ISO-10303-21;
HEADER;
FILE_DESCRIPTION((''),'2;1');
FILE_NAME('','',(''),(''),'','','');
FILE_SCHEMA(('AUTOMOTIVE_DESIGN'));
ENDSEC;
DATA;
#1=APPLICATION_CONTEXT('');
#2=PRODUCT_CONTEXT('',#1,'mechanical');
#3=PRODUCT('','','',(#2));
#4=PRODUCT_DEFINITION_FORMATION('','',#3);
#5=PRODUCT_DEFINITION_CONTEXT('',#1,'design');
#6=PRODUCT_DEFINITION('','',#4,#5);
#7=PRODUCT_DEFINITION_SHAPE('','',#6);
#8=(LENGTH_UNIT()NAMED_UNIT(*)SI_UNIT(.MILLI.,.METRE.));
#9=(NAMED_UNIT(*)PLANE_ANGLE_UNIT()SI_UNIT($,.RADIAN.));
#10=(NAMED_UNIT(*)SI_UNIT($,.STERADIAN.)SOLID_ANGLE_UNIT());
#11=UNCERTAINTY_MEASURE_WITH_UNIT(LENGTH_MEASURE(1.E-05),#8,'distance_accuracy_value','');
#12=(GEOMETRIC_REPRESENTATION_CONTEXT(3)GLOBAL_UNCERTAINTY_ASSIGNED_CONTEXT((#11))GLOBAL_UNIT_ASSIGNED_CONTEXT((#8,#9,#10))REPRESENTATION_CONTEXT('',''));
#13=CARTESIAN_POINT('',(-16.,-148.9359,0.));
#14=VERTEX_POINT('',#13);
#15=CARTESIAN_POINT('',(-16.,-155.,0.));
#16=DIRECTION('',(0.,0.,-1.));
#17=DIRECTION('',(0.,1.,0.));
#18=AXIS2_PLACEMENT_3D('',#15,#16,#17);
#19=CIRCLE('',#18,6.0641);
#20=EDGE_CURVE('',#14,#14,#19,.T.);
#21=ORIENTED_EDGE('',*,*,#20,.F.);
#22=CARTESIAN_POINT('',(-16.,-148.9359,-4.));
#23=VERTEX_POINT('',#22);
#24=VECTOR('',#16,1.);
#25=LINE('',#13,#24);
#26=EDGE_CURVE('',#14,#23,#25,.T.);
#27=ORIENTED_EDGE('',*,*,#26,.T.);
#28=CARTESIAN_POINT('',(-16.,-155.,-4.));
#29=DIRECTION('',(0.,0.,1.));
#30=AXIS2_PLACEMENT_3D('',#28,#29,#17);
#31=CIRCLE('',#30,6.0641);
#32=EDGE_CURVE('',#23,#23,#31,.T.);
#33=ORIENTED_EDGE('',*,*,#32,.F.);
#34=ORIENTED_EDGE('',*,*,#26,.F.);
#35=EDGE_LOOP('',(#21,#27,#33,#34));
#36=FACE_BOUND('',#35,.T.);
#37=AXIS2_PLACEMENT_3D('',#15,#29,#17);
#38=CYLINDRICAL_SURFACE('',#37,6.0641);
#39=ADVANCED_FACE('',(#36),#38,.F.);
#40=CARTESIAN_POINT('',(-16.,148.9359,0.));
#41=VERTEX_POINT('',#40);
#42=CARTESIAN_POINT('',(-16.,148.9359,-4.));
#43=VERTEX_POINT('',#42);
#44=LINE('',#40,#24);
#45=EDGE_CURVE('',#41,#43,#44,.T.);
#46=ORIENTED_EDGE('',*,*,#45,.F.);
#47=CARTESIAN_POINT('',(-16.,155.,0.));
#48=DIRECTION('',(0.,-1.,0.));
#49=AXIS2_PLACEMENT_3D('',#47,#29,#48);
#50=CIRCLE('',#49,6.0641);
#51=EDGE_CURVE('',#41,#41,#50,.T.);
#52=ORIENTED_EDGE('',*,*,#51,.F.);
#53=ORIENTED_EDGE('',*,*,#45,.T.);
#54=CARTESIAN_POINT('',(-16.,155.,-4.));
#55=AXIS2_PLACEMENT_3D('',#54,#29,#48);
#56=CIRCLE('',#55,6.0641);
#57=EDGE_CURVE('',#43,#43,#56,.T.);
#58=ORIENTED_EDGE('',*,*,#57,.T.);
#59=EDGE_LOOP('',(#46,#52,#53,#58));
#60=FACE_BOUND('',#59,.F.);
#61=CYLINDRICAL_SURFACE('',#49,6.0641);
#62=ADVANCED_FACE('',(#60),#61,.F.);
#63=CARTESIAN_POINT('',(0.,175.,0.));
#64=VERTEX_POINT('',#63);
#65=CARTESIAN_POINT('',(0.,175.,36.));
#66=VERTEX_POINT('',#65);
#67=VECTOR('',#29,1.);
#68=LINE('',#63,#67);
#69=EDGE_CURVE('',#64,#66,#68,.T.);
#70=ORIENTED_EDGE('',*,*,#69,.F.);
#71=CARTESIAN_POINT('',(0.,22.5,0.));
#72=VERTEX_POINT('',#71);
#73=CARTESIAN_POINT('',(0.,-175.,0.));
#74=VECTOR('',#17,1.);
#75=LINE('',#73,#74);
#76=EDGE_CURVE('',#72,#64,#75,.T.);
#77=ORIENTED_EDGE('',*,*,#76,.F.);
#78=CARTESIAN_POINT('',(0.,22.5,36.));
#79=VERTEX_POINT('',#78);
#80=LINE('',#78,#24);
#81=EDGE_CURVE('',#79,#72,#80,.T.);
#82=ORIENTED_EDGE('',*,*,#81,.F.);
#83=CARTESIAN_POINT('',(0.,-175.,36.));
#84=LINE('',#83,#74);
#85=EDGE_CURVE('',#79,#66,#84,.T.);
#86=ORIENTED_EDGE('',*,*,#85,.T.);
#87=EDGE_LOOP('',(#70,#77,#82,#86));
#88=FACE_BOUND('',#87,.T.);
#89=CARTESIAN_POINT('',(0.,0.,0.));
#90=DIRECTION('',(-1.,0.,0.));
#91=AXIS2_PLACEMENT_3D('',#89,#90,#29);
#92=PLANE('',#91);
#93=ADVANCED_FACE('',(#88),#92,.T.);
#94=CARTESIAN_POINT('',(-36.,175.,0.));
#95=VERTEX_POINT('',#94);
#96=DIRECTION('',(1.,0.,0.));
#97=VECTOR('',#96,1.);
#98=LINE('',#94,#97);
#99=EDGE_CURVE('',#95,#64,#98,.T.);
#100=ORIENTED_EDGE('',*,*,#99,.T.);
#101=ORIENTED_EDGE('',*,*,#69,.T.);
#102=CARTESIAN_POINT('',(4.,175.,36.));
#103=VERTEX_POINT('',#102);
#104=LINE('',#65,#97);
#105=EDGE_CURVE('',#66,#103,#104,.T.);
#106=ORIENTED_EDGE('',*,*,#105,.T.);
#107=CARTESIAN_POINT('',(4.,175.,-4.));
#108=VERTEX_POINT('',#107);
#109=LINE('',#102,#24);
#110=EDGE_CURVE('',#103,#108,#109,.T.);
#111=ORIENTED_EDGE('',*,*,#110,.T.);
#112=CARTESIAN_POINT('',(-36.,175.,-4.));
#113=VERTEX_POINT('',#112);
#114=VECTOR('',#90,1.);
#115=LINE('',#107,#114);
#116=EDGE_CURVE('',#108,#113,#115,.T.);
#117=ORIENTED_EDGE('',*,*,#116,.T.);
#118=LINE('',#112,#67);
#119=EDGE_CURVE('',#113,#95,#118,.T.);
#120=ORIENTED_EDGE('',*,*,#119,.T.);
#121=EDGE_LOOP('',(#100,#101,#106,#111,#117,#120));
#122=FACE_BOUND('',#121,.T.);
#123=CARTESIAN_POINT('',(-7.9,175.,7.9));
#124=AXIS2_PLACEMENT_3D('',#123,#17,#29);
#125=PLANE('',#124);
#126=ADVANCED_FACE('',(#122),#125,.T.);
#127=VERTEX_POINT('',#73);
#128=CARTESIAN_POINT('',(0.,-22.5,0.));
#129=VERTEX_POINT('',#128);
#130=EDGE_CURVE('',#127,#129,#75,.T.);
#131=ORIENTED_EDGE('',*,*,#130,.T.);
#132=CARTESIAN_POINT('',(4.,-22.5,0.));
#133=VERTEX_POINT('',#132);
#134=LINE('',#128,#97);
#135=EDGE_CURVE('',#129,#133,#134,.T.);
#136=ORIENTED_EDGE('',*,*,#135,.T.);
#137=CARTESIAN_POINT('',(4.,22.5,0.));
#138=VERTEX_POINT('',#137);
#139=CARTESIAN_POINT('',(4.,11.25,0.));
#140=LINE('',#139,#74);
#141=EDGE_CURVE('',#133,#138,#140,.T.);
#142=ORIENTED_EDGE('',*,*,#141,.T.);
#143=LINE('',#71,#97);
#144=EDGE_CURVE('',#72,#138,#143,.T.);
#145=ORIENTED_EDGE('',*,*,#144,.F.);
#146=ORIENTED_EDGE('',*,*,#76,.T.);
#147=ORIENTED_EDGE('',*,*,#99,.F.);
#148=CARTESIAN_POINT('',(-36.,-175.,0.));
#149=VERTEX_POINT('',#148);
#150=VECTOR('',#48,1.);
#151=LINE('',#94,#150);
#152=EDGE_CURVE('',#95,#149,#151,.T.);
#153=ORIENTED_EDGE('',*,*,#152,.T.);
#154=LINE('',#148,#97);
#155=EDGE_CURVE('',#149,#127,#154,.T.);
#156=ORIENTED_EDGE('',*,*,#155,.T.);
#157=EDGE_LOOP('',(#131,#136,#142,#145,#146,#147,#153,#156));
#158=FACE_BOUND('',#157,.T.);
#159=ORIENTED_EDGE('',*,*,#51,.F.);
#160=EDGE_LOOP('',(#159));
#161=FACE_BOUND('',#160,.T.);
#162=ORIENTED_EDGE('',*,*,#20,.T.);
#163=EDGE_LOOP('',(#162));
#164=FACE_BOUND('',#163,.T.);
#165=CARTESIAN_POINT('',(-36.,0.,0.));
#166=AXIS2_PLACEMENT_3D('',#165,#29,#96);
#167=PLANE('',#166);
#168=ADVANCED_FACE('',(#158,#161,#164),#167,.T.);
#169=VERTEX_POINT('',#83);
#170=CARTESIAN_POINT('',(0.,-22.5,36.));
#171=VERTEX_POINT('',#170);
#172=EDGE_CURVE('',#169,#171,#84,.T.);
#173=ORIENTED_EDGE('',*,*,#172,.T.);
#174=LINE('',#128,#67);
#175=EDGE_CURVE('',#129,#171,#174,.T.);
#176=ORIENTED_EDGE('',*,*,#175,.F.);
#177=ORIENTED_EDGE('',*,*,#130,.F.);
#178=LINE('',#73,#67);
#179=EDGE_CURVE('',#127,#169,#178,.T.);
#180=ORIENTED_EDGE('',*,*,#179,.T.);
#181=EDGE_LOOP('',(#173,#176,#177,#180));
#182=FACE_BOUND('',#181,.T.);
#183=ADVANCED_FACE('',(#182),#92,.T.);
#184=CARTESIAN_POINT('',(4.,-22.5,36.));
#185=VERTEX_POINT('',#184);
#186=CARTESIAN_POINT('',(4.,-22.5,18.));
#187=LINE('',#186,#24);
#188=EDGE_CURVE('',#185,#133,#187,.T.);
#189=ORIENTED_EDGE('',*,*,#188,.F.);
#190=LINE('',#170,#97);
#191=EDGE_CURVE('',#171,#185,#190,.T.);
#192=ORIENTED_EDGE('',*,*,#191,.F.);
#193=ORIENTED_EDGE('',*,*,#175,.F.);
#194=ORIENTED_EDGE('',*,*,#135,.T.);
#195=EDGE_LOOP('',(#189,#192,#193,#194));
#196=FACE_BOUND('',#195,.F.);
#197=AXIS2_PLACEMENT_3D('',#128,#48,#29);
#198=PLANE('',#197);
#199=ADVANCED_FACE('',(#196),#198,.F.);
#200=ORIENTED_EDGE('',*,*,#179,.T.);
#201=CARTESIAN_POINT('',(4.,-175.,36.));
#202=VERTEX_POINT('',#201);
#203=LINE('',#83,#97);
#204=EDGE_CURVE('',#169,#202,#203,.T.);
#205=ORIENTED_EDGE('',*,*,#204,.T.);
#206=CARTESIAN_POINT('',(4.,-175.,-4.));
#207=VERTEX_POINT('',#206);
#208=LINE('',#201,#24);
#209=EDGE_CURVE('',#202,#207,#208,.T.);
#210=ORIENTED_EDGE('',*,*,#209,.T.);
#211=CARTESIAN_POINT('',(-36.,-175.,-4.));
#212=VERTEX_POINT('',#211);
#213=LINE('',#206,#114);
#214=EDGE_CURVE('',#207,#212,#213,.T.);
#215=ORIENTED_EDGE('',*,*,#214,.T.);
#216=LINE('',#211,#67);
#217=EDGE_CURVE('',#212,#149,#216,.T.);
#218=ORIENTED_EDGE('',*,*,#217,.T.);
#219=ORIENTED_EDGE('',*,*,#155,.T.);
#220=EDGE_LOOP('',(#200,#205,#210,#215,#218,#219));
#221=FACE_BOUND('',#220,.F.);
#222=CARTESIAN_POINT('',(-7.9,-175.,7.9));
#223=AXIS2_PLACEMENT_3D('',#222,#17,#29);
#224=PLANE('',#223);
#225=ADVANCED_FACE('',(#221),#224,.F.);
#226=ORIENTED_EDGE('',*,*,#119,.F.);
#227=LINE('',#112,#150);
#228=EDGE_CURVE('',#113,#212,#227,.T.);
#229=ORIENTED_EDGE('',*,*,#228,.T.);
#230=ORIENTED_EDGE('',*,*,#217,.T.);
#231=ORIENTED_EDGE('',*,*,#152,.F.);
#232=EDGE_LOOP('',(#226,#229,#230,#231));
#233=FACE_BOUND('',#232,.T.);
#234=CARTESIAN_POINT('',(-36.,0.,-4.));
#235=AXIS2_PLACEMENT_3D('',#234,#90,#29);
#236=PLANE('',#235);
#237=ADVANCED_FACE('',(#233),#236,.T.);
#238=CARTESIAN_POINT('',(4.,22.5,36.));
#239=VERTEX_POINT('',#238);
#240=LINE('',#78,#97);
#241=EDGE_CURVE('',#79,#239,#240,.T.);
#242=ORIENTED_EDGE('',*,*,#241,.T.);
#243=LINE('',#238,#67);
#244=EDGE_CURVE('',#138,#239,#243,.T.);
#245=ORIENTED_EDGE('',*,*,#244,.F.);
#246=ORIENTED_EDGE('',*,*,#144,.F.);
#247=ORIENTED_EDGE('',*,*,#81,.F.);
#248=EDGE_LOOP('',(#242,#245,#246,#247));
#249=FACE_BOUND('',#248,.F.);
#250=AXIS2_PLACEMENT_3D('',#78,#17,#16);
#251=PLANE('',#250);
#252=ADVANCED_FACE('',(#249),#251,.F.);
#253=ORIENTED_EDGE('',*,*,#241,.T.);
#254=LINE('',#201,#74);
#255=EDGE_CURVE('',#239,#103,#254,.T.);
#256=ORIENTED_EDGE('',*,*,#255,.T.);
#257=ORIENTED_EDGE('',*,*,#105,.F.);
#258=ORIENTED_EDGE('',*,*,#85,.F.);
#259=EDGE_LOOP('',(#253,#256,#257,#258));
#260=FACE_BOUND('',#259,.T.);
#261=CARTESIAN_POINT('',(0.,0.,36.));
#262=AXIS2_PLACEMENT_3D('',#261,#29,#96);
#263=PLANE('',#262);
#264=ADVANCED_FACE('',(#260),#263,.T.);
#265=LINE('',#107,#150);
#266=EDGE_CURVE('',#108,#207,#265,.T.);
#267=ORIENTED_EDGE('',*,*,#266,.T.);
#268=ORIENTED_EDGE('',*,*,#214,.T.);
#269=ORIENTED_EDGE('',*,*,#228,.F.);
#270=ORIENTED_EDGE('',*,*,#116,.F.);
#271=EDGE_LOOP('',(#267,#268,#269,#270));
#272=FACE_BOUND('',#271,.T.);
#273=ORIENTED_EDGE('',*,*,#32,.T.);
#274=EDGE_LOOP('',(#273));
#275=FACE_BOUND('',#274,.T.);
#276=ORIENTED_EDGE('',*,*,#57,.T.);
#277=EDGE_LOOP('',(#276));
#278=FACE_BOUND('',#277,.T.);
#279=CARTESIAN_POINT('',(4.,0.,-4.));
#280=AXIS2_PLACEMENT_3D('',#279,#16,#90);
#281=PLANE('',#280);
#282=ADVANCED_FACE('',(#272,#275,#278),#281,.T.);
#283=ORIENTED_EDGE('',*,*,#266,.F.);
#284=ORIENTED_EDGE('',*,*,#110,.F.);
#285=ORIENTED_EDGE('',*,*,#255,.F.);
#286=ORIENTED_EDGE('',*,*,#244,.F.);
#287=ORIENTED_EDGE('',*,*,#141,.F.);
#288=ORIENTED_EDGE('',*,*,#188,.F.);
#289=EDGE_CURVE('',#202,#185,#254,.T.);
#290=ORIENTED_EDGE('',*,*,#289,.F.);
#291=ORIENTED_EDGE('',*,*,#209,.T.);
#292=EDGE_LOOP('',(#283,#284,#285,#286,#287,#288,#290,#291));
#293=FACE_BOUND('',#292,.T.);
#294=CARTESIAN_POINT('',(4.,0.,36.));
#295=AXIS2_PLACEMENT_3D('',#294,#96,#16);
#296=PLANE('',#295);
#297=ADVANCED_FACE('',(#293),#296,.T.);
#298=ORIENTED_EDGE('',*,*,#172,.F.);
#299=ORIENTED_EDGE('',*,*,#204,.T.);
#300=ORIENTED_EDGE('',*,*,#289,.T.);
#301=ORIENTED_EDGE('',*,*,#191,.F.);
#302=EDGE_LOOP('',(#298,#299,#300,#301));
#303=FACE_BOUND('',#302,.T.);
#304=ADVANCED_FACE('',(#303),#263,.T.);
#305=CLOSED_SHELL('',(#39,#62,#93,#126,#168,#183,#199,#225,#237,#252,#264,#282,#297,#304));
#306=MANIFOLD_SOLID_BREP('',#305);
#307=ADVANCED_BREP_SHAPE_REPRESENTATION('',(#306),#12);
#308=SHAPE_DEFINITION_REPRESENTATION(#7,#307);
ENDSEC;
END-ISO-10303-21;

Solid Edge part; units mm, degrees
sketch "Sketch1" plane through (0, 0, 0) normal (0, -1, 0) x (1, 0, 0)
  line L0 (-36, 0) -> (0, 0)
  line L1 (0, 0) -> (0, 36)
  line L2 (0, 36) -> (4, 36)
  line L3 (4, 36) -> (4, -4)
  line L4 (4, -4) -> (-36, -4)
  line L5 (-36, -4) -> (-36, 0)
  dimension "D1" = 36
  dimension "D2" = 4
extrude "Protrusion1" add sketch "Sketch1" along normal mid plane 350
mirror "Mirror1" [suppressed]
sketch "Sketch2" plane through (-18, 0, 0) normal (0, 0, 1) x (0, -1, 0)
  circle A0 centre (-155, 2) radius 6.0641
  dimension "D1" = 20
  dimension "D2" = 20
extrude "Cutout1" cut sketch "Sketch2" against normal through all
mirror "Mirror2" about plane through (0, 0, 0) normal (0, -1, 0) of "Cutout1"
sketch "Sketch3" plane through (0, 0, 18) normal (-1, 0, 0) x (0, -1, 0)
  line L0 (-22.5, -18) -> (22.5, -18)
  line L1 (22.5, -18) -> (22.5, 18)
  line L2 (22.5, 18) -> (-22.5, 18)
  line L3 (-22.5, 18) -> (-22.5, -18)
  dimension "D1" = 45
extrude "Cutout2" cut sketch "Sketch3" against normal through all
properties material "Aluminium, 7075-T6"
